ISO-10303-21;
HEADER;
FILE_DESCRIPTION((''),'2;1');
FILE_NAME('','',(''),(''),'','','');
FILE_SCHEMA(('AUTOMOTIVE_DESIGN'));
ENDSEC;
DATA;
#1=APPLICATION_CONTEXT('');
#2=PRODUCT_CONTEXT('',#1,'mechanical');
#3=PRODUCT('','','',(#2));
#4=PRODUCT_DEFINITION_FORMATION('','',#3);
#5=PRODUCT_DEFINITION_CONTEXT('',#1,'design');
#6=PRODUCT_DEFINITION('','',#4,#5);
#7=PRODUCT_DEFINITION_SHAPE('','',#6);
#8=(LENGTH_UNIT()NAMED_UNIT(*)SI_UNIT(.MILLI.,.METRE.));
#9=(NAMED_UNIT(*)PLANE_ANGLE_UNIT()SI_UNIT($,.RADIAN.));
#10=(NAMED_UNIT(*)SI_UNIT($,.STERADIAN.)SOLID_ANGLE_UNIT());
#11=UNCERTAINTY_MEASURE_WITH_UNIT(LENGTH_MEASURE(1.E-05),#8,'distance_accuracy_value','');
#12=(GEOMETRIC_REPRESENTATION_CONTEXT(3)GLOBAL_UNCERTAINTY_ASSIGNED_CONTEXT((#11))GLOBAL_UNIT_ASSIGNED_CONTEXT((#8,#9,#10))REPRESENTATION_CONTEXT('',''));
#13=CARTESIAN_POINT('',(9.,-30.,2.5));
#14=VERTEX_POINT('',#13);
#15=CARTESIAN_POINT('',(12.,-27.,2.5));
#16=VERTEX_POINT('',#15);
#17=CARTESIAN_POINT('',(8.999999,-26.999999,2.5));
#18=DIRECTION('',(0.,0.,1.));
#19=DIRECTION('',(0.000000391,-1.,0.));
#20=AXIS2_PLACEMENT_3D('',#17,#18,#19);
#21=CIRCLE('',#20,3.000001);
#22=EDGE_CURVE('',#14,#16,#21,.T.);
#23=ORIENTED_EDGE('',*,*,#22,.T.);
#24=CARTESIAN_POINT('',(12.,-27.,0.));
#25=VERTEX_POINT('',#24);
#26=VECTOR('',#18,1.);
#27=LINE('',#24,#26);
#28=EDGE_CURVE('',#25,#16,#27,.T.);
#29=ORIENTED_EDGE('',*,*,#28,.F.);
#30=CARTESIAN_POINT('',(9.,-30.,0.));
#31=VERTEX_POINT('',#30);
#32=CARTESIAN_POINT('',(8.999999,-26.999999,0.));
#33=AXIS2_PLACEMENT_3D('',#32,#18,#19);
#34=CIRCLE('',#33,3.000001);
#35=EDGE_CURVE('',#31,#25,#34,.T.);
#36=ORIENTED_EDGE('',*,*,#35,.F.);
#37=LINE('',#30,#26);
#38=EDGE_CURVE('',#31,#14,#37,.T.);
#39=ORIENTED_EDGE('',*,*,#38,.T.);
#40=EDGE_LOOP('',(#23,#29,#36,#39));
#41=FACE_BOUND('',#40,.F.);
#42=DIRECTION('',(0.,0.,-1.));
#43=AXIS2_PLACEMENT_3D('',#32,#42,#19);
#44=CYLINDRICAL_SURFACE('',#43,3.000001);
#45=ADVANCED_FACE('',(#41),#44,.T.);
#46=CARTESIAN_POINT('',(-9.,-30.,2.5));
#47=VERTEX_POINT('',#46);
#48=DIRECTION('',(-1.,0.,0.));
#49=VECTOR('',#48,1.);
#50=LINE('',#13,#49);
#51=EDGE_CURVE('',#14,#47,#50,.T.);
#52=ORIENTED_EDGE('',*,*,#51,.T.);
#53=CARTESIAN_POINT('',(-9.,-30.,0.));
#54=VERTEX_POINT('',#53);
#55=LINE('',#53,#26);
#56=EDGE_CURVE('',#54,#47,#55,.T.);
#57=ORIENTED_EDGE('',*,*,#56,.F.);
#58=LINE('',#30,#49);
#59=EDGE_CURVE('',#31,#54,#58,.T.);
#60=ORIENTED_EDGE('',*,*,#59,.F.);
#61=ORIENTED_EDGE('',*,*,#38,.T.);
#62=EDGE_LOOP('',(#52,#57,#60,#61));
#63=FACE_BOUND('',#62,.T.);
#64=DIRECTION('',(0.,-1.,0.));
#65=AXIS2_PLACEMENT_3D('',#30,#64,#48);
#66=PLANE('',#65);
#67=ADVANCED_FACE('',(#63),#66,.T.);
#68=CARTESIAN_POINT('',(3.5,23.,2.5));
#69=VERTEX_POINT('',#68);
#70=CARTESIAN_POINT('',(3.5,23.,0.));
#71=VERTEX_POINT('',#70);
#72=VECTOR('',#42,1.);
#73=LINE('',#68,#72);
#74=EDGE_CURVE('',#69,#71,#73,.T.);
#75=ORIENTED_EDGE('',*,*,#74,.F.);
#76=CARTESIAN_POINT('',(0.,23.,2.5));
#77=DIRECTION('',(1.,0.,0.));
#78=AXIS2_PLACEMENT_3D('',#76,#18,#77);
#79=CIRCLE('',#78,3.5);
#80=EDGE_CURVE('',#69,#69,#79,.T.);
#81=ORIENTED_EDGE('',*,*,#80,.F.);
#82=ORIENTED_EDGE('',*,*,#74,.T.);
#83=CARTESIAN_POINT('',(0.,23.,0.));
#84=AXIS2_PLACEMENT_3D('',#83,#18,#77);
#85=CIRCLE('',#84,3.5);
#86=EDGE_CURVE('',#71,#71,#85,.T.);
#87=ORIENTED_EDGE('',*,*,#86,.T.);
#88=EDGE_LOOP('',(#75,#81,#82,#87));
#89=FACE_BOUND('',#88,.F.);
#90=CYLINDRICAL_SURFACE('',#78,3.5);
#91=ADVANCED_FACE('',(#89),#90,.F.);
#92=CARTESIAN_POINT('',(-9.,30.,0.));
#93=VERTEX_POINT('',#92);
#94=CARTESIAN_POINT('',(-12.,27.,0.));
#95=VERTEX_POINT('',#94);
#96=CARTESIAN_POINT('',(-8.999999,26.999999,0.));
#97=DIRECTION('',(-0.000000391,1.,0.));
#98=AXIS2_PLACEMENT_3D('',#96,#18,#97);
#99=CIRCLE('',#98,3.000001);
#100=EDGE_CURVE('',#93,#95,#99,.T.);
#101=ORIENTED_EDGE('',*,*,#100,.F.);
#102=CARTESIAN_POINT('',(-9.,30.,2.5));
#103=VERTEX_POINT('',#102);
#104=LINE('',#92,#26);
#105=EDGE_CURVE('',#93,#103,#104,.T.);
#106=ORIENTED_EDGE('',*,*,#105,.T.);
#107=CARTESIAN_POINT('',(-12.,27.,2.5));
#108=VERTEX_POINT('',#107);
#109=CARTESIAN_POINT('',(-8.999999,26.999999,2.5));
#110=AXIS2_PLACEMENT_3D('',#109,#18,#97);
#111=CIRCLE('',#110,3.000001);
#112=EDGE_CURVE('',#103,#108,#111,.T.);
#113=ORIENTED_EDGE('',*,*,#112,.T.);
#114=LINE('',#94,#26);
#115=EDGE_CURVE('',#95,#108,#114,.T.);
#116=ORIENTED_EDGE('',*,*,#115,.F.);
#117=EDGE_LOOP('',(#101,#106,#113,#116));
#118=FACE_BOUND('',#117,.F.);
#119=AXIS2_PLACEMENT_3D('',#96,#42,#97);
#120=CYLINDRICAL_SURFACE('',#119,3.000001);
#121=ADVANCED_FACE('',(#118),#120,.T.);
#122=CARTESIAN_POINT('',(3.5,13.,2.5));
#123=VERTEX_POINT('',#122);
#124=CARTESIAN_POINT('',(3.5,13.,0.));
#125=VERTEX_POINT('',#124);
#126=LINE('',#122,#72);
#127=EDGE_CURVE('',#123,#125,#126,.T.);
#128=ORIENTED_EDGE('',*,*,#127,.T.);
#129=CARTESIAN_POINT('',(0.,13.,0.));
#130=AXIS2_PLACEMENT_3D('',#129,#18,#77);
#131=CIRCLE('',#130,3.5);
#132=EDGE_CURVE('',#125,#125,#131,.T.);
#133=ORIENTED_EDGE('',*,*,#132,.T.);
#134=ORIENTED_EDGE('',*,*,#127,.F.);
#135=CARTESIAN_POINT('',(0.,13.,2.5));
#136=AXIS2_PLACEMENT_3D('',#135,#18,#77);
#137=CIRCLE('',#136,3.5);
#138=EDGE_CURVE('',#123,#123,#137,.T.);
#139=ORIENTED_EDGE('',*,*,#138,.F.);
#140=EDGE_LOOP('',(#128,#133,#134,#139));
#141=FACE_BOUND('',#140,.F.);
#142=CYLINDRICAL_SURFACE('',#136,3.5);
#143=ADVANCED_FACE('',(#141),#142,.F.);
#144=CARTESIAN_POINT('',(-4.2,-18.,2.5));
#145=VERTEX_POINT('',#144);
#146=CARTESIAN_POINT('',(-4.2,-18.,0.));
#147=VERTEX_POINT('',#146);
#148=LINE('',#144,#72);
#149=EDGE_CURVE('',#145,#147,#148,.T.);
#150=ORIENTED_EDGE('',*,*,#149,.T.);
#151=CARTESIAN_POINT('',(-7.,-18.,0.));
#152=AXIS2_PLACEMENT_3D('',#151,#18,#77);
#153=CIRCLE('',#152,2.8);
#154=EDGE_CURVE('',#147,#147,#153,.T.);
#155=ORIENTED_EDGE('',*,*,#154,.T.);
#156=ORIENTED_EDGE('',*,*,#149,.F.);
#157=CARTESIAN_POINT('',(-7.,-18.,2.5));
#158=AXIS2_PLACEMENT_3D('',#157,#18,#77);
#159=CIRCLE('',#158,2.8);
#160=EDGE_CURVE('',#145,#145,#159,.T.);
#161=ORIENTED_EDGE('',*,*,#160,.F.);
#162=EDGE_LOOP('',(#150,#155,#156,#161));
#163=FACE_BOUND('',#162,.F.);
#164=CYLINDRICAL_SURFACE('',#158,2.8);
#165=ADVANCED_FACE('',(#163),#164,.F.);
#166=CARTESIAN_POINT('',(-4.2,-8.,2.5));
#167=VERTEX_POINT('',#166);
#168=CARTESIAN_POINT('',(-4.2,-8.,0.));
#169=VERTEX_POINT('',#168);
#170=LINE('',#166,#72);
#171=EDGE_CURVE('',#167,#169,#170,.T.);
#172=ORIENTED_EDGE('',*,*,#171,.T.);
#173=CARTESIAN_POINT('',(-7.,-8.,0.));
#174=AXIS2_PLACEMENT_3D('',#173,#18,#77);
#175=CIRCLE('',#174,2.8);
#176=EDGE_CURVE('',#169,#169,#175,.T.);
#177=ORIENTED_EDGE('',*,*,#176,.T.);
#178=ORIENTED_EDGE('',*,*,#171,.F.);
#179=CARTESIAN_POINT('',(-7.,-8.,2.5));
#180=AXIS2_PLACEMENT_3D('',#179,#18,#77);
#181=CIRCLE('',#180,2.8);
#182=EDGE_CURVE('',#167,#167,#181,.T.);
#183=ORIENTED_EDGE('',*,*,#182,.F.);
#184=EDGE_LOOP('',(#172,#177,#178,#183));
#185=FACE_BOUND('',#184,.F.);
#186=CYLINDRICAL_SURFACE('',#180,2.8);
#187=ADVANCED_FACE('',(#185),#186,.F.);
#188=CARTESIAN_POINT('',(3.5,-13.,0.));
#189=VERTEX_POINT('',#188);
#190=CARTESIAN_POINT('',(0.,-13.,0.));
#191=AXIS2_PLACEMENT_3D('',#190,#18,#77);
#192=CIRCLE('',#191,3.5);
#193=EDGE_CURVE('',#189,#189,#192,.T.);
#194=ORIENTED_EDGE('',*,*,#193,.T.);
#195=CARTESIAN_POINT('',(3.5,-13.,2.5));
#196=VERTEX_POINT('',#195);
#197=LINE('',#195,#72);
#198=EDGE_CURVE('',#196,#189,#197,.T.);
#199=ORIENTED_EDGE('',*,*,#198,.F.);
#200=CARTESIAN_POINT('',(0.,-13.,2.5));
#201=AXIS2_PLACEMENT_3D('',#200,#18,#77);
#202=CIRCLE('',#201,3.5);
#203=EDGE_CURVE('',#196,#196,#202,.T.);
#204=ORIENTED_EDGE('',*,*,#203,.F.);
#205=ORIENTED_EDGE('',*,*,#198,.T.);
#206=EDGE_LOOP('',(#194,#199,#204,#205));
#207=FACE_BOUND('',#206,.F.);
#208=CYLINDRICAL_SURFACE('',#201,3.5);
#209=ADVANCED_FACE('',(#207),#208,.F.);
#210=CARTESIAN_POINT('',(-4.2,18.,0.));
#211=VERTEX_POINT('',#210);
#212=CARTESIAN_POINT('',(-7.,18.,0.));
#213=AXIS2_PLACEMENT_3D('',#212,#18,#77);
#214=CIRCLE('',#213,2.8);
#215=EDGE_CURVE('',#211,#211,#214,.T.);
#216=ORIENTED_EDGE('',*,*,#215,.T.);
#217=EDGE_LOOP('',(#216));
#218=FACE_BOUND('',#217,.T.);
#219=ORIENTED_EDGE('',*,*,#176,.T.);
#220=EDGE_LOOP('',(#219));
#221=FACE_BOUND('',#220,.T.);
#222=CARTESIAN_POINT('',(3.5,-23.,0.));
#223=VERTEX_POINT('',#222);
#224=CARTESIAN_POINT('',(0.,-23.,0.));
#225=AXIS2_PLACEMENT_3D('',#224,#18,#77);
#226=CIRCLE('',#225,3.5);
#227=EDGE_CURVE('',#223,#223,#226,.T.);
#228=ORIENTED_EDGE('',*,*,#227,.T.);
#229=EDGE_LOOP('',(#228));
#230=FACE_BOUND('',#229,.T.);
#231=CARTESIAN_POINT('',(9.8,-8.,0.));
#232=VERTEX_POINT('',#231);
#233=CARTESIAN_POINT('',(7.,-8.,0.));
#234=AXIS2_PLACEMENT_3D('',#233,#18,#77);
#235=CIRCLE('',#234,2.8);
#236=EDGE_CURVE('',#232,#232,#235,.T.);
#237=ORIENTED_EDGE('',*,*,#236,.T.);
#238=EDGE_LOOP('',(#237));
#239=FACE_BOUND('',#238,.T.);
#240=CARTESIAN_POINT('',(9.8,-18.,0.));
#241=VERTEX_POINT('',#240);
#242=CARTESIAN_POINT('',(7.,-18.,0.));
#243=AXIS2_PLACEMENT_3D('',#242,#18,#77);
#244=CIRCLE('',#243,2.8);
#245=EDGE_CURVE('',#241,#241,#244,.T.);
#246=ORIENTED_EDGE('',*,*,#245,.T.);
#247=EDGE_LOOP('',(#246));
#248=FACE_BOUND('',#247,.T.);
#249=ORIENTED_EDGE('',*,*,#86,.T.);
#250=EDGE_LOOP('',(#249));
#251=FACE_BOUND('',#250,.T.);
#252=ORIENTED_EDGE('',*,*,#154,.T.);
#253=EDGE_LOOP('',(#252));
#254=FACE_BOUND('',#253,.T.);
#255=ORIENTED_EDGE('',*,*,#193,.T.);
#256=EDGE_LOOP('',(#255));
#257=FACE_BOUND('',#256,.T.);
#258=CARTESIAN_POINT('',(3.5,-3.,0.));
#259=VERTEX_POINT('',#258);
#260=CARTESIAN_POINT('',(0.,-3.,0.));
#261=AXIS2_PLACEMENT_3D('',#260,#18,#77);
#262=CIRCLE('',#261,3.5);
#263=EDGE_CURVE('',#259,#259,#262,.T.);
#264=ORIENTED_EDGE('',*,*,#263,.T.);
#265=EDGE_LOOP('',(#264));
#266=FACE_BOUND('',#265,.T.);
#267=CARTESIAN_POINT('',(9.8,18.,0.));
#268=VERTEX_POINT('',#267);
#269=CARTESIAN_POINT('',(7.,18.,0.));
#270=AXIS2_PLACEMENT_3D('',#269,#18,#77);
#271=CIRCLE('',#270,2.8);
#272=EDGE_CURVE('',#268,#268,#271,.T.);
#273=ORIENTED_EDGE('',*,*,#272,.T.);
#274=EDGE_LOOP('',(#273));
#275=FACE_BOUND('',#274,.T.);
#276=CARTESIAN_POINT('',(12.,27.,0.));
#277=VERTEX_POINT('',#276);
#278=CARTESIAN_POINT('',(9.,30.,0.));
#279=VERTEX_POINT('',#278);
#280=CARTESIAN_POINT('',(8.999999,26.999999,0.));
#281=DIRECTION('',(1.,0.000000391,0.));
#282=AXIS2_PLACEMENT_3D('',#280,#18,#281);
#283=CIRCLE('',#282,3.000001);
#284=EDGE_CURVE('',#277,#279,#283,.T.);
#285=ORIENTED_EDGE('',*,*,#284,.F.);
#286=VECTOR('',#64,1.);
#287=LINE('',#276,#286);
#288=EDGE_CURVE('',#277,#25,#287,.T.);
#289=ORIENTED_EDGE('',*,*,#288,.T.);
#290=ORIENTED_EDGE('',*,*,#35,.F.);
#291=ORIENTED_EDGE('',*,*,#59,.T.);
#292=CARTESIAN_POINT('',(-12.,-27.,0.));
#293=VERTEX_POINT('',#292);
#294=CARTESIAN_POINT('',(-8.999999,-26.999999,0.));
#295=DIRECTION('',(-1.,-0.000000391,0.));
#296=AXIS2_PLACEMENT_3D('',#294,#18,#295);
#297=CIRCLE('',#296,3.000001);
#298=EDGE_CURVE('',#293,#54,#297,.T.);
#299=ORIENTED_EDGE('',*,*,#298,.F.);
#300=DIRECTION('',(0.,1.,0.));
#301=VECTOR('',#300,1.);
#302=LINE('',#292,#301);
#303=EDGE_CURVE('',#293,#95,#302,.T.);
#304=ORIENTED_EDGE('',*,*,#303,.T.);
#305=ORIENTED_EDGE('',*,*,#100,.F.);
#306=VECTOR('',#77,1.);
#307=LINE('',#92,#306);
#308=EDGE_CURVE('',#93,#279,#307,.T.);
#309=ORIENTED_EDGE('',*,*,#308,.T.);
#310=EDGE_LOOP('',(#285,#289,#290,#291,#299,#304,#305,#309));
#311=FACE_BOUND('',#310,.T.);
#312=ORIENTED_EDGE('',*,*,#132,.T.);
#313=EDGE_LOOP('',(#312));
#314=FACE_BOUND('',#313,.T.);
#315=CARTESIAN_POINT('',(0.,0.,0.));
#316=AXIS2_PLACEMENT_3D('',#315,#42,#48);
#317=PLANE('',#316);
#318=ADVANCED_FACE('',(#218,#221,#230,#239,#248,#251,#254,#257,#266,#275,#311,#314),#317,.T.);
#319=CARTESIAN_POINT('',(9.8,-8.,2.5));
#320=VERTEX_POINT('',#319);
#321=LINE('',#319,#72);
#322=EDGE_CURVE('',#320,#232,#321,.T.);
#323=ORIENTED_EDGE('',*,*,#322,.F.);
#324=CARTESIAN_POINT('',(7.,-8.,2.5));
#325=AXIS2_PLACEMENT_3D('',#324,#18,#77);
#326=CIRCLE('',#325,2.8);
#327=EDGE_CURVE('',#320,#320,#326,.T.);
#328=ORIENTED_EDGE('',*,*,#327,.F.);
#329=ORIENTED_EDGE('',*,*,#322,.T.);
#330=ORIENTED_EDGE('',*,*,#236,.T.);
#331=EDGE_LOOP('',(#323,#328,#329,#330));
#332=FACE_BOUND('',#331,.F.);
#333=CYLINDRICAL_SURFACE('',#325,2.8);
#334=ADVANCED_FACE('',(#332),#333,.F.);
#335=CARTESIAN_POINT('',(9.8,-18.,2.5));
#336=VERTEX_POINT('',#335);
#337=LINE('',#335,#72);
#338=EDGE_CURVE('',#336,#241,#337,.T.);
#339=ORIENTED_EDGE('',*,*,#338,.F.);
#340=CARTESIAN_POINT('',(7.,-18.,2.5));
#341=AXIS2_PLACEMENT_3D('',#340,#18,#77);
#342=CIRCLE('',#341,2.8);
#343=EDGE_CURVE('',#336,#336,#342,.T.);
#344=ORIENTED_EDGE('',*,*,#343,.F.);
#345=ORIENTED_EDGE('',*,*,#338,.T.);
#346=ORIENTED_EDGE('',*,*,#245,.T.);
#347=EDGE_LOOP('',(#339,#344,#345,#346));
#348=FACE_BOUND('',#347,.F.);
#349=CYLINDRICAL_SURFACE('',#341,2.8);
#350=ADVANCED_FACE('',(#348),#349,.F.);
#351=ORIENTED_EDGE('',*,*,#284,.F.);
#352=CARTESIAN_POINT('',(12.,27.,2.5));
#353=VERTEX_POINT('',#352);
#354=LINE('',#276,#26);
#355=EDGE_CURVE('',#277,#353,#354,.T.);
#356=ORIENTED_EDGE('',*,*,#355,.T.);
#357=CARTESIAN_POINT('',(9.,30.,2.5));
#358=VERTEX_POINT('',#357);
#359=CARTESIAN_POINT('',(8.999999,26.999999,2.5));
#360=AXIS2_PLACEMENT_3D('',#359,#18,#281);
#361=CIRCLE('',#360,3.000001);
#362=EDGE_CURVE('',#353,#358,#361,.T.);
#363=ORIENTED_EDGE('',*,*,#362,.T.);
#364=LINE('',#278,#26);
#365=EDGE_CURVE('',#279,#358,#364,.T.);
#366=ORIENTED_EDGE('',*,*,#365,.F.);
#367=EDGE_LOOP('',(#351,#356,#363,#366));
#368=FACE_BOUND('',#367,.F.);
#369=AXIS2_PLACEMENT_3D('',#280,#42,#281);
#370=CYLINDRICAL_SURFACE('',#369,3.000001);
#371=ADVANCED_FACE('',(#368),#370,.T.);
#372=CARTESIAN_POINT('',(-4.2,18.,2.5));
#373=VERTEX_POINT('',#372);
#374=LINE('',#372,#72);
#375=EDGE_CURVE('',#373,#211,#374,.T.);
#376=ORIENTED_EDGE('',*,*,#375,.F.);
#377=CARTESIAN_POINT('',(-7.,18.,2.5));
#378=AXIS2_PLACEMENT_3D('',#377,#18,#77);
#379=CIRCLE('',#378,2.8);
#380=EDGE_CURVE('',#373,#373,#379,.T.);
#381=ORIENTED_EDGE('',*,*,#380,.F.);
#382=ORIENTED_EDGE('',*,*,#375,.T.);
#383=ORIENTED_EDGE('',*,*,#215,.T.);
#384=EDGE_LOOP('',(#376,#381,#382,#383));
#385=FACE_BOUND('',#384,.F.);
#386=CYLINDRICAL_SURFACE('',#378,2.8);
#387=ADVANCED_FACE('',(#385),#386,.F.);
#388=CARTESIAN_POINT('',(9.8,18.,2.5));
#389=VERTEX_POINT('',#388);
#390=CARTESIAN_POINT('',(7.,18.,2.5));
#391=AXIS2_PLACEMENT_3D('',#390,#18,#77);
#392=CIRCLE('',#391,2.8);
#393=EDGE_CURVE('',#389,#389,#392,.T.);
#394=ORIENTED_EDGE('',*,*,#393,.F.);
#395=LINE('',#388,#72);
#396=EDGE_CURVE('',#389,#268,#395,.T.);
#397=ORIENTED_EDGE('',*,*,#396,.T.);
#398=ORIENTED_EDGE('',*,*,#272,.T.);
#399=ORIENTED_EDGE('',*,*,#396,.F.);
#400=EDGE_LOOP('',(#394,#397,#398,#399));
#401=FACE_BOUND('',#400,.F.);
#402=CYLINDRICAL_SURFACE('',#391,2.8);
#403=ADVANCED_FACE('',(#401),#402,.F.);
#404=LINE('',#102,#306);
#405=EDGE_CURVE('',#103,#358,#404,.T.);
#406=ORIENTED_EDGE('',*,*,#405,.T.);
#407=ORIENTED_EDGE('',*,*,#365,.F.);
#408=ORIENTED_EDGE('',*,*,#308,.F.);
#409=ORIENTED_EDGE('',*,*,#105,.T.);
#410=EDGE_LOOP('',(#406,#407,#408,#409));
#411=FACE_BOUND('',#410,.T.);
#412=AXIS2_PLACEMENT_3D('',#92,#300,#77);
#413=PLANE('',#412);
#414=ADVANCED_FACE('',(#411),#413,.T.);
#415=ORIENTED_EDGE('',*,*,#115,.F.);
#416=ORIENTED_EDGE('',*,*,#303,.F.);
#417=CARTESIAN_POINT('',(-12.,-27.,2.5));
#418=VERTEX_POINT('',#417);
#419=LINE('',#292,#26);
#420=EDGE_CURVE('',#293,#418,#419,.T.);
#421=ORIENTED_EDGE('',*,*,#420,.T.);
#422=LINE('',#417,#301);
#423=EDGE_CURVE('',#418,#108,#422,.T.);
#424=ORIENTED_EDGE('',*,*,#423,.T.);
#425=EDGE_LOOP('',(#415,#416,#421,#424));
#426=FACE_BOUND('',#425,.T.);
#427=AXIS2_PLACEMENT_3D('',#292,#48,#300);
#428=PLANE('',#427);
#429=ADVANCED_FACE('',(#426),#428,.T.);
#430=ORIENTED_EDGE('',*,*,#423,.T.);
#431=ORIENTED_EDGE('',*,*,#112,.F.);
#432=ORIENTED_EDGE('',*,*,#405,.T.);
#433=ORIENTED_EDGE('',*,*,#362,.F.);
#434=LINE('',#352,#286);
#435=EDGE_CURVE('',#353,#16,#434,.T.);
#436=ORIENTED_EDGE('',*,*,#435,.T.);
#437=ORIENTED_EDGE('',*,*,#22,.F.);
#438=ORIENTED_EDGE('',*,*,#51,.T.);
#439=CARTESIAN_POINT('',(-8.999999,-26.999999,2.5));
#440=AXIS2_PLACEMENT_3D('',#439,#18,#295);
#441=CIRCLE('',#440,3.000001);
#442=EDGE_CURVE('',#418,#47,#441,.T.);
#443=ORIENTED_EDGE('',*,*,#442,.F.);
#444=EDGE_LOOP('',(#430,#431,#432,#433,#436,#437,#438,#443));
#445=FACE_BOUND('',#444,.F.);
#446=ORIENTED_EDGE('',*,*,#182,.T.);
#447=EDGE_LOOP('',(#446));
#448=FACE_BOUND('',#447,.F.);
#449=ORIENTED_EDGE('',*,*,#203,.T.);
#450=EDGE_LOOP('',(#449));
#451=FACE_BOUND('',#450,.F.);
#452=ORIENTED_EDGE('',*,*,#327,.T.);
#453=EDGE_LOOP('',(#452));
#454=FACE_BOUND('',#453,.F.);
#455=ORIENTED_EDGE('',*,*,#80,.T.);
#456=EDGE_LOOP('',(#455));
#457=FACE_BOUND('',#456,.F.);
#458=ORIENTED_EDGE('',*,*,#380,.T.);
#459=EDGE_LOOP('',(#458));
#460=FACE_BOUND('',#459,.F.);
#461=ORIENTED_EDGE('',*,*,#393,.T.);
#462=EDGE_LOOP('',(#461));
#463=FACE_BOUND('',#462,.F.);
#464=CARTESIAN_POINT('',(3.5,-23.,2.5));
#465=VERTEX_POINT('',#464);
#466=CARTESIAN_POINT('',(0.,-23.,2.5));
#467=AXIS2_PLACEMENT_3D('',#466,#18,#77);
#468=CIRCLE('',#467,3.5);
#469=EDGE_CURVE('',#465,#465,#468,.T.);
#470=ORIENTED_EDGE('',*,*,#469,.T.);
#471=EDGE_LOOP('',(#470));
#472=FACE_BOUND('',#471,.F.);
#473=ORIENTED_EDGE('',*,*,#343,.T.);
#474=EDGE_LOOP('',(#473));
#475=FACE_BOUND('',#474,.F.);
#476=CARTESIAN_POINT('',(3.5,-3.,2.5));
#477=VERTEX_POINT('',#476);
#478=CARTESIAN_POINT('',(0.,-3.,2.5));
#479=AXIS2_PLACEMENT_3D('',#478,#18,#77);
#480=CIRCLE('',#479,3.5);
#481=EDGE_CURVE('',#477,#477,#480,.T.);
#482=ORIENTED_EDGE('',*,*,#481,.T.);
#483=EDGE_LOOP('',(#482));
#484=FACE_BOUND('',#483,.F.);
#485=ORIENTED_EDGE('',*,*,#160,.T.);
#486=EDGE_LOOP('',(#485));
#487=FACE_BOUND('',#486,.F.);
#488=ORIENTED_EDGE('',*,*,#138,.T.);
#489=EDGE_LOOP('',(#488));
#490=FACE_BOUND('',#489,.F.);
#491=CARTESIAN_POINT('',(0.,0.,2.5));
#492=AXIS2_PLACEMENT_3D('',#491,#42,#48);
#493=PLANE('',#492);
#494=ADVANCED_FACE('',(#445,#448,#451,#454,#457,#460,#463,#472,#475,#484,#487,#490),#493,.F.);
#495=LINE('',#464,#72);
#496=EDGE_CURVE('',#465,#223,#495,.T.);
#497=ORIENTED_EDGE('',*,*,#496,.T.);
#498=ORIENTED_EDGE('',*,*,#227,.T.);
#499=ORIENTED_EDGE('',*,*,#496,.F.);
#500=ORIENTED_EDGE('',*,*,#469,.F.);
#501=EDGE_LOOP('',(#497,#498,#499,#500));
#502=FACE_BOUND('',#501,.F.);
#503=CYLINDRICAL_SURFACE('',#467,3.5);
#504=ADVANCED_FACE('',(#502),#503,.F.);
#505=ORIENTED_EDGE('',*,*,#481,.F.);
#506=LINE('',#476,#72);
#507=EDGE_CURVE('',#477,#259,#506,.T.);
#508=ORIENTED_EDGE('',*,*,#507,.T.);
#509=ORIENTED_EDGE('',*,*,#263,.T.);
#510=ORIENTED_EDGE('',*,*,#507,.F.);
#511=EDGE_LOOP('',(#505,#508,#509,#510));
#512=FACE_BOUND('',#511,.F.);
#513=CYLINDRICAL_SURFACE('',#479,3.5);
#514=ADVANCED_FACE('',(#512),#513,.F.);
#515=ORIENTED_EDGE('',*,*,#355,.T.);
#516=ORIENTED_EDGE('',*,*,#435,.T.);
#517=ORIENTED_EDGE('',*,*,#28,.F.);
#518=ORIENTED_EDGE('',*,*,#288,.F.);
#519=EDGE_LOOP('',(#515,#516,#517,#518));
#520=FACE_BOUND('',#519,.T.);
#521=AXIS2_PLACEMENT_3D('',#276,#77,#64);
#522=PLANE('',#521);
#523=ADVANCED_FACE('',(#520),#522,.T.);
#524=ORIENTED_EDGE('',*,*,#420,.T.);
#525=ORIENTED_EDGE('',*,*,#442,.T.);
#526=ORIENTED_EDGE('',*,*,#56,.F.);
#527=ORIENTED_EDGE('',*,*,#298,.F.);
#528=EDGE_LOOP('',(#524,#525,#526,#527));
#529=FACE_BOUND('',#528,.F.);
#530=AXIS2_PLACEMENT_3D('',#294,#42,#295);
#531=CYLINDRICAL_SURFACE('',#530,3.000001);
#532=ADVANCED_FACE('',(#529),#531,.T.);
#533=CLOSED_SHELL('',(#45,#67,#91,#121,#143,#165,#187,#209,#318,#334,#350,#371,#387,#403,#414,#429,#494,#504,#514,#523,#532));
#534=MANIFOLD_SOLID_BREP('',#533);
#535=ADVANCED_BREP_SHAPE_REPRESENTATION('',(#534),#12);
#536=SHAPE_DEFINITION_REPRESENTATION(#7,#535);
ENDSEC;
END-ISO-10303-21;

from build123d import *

# Parameters (mm, degrees)
PAD_DEPTH     = 2.5
SKETCH001_R   = 3.5
SKETCH001_R_2 = 2.8
POCKET_DEPTH  = 2.501


with BuildPart() as part:
    # Sketch → Pad (new body)
    with BuildSketch(Plane.XY):
        with BuildLine():
            Line((-9, 30), (9, 30))
            ThreePointArc((12, 27), (11.12132, 29.12132), (9, 30))
            Line((12, 27), (12, -27))
            ThreePointArc((9, -30), (11.12132, -29.12132), (12, -27))
            Line((9, -30), (-9, -30))
            ThreePointArc((-12, -27), (-11.12132, -29.12132), (-9, -30))
            Line((-12, -27), (-12, 27))
            ThreePointArc((-9, 30), (-11.12132, 29.12132), (-12, 27))
        make_face()
    extrude(amount=PAD_DEPTH)

    # Sketch001 (on Face10 of Pad) → Pocket (cut, through all)
    with BuildSketch(Plane.XY.offset(2.5)):
        with Locations((0, 23)):
            Circle(SKETCH001_R)
        with Locations((0, 13)):
            Circle(SKETCH001_R)
        with Locations((0, -13)):
            Circle(SKETCH001_R)
        with Locations((0, -23)):
            Circle(SKETCH001_R)
        with Locations((0, -3)):
            Circle(SKETCH001_R)
        with Locations((-7, 18)):
            Circle(SKETCH001_R_2)
        with Locations((7, 18)):
            Circle(SKETCH001_R_2)
        with Locations((-7, -8)):
            Circle(SKETCH001_R_2)
        with Locations((7, -8)):
            Circle(SKETCH001_R_2)
        with Locations((-7, -18)):
            Circle(SKETCH001_R_2)
        with Locations((7, -18)):
            Circle(SKETCH001_R_2)
    extrude(amount=-POCKET_DEPTH, mode=Mode.SUBTRACT)


solid = part.part
